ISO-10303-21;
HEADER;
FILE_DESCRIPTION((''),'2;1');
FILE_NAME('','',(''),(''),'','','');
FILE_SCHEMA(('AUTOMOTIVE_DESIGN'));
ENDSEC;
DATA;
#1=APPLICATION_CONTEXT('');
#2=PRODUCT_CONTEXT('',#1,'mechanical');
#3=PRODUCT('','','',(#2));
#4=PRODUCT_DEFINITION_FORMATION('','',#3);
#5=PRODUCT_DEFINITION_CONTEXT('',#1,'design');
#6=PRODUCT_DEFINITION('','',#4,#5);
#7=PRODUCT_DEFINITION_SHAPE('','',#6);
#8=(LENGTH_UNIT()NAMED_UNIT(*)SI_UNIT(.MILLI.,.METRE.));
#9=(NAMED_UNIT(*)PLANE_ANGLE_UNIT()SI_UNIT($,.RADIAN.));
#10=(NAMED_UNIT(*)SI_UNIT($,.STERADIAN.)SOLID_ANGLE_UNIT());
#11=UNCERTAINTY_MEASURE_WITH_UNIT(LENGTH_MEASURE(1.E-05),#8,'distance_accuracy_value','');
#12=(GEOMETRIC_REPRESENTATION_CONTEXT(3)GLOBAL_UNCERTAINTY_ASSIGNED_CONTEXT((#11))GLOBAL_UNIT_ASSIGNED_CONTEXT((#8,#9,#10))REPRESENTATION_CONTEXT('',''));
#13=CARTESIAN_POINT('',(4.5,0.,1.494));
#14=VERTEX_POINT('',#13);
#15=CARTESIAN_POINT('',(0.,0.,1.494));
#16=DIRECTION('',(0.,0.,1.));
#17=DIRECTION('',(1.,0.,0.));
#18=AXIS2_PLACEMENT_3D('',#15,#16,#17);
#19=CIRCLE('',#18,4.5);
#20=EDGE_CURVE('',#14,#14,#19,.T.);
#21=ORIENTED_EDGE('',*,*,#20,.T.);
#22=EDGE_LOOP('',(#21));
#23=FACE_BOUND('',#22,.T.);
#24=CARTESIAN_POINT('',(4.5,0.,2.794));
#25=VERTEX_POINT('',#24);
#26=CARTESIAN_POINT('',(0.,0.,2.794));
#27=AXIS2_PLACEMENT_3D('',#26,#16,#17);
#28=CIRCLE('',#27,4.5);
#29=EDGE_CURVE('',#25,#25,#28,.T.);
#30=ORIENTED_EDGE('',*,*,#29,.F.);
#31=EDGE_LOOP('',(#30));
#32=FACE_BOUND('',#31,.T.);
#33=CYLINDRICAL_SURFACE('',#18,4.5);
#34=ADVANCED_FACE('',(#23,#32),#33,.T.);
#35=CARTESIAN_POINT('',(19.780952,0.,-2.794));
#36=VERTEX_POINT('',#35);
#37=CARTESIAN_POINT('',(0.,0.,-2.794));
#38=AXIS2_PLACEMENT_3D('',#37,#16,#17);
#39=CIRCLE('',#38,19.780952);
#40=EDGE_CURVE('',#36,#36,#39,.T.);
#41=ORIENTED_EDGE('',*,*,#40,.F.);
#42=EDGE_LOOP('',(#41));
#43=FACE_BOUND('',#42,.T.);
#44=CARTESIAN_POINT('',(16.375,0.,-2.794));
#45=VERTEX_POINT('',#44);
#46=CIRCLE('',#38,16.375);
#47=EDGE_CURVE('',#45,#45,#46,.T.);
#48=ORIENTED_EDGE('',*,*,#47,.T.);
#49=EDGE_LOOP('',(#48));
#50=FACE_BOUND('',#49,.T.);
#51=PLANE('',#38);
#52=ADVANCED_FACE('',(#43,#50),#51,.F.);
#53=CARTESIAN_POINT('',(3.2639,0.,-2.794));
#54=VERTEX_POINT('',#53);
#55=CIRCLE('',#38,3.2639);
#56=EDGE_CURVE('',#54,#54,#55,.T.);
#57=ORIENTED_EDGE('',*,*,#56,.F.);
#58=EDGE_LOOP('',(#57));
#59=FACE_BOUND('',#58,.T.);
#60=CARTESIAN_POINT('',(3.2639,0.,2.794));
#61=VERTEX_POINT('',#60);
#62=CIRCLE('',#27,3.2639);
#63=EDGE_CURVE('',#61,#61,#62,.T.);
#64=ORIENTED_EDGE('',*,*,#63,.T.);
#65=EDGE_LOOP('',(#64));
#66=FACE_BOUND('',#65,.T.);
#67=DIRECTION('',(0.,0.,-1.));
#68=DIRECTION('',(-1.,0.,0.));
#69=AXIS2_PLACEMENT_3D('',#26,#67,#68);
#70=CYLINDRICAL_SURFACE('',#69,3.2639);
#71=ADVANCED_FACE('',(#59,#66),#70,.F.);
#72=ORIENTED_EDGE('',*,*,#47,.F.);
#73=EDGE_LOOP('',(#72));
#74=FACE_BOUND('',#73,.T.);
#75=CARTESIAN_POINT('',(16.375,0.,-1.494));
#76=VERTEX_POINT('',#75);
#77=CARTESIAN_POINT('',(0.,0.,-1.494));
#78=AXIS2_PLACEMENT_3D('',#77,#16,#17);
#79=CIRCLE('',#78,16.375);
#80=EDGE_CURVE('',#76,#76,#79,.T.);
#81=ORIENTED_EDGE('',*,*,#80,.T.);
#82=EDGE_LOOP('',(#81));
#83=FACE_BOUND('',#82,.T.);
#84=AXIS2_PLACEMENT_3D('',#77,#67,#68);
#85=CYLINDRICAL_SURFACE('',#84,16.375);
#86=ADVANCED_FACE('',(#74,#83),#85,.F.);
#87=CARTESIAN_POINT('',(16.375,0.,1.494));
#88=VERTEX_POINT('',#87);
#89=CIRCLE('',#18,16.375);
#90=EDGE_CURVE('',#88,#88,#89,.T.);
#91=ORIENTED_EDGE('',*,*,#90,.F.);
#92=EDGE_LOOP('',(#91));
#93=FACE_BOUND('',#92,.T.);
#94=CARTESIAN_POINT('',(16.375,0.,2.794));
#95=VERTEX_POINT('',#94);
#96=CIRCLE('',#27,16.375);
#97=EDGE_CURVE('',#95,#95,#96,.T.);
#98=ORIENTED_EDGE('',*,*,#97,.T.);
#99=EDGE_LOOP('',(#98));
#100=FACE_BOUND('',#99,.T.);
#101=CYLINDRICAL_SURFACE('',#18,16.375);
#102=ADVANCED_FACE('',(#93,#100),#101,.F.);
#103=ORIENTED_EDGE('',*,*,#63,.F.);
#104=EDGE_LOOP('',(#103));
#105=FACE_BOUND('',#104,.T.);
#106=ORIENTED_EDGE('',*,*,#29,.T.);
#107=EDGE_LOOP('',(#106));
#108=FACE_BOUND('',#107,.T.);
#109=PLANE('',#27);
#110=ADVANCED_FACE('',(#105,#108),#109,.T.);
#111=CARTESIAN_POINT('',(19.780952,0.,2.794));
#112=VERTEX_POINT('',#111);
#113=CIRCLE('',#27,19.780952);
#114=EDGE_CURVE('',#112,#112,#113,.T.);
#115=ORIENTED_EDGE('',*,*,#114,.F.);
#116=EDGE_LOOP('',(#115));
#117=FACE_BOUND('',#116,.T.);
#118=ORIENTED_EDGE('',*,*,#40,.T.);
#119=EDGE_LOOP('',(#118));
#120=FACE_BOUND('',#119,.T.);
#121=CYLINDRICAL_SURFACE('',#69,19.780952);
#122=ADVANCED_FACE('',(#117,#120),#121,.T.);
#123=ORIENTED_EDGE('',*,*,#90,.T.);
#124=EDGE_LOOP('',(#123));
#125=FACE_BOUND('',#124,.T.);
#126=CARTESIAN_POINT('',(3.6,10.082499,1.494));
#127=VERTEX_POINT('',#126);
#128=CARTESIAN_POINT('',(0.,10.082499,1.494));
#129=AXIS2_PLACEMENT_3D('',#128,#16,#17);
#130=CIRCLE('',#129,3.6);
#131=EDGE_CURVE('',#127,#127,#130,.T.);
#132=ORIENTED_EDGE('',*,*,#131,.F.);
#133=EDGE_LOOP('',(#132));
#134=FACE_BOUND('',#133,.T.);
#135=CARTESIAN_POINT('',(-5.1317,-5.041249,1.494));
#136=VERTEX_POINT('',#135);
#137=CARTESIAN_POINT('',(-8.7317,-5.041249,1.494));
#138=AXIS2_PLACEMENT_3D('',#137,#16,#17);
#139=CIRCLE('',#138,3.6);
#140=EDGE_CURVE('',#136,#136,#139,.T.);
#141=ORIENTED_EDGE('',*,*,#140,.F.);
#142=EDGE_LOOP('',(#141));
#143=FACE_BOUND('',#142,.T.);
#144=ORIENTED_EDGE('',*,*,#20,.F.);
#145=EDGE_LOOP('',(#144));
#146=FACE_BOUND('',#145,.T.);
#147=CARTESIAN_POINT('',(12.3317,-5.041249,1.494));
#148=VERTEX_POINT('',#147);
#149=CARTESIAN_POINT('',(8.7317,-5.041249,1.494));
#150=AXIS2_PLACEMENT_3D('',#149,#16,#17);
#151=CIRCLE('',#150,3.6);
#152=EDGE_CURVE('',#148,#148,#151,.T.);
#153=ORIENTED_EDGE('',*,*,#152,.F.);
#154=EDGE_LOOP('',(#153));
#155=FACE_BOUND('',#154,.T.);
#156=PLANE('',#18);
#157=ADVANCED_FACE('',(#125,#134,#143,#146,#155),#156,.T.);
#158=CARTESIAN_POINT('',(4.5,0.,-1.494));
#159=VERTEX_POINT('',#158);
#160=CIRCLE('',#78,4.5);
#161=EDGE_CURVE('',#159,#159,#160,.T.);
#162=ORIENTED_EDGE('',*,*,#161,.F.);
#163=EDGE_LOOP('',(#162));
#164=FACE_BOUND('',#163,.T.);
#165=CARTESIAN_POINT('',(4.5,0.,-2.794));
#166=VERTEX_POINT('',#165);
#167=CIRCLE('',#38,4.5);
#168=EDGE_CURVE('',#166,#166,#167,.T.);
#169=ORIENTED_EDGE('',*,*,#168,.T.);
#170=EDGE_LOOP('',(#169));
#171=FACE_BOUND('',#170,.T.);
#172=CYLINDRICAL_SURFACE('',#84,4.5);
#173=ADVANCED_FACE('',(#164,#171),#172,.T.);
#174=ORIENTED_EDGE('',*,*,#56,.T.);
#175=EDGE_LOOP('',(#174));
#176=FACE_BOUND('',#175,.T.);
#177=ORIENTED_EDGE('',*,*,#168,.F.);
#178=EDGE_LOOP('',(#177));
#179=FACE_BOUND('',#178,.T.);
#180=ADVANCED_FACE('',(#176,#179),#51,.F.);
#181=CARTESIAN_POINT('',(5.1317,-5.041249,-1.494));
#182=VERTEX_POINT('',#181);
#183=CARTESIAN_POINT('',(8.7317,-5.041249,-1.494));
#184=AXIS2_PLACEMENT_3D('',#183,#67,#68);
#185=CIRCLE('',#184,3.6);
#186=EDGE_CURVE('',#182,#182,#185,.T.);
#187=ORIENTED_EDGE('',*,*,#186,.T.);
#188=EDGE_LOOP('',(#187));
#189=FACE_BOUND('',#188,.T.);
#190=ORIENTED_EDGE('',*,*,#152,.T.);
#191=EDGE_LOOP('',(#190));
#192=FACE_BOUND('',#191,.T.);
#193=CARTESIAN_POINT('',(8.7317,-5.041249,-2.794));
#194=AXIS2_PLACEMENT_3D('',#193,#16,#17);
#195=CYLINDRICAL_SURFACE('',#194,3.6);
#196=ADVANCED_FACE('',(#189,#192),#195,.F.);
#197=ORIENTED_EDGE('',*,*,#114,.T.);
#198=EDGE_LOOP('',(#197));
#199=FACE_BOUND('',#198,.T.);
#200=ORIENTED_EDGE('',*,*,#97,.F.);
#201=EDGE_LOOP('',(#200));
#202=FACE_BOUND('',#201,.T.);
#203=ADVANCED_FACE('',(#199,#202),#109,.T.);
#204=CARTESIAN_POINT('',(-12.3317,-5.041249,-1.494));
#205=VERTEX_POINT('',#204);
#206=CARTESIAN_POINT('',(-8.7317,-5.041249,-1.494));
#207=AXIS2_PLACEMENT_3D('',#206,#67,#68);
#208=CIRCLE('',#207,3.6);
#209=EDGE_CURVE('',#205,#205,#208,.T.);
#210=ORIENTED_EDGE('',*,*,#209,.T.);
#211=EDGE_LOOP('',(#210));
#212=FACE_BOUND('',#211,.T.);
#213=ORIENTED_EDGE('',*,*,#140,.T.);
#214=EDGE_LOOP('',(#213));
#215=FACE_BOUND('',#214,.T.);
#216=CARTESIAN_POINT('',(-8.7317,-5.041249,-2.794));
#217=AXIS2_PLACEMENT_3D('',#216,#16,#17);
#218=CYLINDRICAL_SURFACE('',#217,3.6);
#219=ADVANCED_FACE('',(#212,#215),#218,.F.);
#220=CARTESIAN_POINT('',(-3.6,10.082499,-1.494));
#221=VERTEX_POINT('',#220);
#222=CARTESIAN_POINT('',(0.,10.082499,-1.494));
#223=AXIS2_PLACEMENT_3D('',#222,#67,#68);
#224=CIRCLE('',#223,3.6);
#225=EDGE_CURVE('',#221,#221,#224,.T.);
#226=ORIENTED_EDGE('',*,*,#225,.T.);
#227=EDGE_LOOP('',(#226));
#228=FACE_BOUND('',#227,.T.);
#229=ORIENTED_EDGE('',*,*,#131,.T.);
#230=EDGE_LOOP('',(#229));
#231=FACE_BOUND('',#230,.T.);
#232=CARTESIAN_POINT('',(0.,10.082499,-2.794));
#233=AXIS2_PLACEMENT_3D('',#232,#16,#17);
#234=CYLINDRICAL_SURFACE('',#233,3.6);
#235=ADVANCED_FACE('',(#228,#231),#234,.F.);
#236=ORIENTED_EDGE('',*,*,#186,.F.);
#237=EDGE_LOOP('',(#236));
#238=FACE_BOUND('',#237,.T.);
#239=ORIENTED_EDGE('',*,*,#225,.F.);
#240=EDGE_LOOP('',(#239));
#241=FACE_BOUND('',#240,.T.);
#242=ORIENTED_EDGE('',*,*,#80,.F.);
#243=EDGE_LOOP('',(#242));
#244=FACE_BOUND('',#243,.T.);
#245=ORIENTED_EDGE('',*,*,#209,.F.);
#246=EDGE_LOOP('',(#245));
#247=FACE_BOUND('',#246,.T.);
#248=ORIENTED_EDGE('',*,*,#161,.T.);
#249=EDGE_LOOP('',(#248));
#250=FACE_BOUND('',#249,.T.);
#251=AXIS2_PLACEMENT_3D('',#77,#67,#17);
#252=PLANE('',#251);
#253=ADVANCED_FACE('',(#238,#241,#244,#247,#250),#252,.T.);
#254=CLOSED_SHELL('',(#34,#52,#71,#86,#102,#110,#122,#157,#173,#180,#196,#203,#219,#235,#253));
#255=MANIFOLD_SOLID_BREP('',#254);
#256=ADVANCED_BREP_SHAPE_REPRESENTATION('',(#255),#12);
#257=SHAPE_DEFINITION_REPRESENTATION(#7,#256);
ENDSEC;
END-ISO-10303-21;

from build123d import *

# Parameters (mm, degrees)
SKETCH1_R           = 19.78095238
SKETCH1_R_2         = 3.2639
BOSS_EXTRUDE1_DEPTH = 2.794
SKETCH2_R           = 16.375
SKETCH2_R_2         = 4.5
CUT_EXTRUDE1_DEPTH  = 1.3
SKETCH3_R           = 3.600000039
CUT_EXTRUDE2_DEPTH  = 29.301220789


with BuildPart() as part:
    # Sketch1 → Boss-Extrude1 (new, symmetric)
    with BuildSketch(Plane.XY):
        Circle(SKETCH1_R)
        Circle(SKETCH1_R_2, mode=Mode.SUBTRACT)
    extrude(amount=BOSS_EXTRUDE1_DEPTH, both=True)

    # Sketch2 → Cut-Extrude1 (cut)
    with BuildSketch(Plane.XY.offset(2.794)):
        Circle(SKETCH2_R)
        Circle(SKETCH2_R_2, mode=Mode.SUBTRACT)
    cut_extrude1 = extrude(amount=-CUT_EXTRUDE1_DEPTH, mode=Mode.SUBTRACT)

    # Mirror1: Cut-Extrude1 across plane
    add(cut_extrude1.mirror(Plane.XY), mode=Mode.SUBTRACT)

    # Sketch3 → Cut-Extrude2 (cut, through all)
    with BuildSketch(Plane.XY.offset(1.494)):
        with Locations((0, 10.082498646)):
            Circle(SKETCH3_R)
        with Locations((8.731699961, -5.041249323)):
            Circle(SKETCH3_R)
        with Locations((-8.731699961, -5.041249323)):
            Circle(SKETCH3_R)
    extrude(amount=-CUT_EXTRUDE2_DEPTH, mode=Mode.SUBTRACT)


solid = part.part
